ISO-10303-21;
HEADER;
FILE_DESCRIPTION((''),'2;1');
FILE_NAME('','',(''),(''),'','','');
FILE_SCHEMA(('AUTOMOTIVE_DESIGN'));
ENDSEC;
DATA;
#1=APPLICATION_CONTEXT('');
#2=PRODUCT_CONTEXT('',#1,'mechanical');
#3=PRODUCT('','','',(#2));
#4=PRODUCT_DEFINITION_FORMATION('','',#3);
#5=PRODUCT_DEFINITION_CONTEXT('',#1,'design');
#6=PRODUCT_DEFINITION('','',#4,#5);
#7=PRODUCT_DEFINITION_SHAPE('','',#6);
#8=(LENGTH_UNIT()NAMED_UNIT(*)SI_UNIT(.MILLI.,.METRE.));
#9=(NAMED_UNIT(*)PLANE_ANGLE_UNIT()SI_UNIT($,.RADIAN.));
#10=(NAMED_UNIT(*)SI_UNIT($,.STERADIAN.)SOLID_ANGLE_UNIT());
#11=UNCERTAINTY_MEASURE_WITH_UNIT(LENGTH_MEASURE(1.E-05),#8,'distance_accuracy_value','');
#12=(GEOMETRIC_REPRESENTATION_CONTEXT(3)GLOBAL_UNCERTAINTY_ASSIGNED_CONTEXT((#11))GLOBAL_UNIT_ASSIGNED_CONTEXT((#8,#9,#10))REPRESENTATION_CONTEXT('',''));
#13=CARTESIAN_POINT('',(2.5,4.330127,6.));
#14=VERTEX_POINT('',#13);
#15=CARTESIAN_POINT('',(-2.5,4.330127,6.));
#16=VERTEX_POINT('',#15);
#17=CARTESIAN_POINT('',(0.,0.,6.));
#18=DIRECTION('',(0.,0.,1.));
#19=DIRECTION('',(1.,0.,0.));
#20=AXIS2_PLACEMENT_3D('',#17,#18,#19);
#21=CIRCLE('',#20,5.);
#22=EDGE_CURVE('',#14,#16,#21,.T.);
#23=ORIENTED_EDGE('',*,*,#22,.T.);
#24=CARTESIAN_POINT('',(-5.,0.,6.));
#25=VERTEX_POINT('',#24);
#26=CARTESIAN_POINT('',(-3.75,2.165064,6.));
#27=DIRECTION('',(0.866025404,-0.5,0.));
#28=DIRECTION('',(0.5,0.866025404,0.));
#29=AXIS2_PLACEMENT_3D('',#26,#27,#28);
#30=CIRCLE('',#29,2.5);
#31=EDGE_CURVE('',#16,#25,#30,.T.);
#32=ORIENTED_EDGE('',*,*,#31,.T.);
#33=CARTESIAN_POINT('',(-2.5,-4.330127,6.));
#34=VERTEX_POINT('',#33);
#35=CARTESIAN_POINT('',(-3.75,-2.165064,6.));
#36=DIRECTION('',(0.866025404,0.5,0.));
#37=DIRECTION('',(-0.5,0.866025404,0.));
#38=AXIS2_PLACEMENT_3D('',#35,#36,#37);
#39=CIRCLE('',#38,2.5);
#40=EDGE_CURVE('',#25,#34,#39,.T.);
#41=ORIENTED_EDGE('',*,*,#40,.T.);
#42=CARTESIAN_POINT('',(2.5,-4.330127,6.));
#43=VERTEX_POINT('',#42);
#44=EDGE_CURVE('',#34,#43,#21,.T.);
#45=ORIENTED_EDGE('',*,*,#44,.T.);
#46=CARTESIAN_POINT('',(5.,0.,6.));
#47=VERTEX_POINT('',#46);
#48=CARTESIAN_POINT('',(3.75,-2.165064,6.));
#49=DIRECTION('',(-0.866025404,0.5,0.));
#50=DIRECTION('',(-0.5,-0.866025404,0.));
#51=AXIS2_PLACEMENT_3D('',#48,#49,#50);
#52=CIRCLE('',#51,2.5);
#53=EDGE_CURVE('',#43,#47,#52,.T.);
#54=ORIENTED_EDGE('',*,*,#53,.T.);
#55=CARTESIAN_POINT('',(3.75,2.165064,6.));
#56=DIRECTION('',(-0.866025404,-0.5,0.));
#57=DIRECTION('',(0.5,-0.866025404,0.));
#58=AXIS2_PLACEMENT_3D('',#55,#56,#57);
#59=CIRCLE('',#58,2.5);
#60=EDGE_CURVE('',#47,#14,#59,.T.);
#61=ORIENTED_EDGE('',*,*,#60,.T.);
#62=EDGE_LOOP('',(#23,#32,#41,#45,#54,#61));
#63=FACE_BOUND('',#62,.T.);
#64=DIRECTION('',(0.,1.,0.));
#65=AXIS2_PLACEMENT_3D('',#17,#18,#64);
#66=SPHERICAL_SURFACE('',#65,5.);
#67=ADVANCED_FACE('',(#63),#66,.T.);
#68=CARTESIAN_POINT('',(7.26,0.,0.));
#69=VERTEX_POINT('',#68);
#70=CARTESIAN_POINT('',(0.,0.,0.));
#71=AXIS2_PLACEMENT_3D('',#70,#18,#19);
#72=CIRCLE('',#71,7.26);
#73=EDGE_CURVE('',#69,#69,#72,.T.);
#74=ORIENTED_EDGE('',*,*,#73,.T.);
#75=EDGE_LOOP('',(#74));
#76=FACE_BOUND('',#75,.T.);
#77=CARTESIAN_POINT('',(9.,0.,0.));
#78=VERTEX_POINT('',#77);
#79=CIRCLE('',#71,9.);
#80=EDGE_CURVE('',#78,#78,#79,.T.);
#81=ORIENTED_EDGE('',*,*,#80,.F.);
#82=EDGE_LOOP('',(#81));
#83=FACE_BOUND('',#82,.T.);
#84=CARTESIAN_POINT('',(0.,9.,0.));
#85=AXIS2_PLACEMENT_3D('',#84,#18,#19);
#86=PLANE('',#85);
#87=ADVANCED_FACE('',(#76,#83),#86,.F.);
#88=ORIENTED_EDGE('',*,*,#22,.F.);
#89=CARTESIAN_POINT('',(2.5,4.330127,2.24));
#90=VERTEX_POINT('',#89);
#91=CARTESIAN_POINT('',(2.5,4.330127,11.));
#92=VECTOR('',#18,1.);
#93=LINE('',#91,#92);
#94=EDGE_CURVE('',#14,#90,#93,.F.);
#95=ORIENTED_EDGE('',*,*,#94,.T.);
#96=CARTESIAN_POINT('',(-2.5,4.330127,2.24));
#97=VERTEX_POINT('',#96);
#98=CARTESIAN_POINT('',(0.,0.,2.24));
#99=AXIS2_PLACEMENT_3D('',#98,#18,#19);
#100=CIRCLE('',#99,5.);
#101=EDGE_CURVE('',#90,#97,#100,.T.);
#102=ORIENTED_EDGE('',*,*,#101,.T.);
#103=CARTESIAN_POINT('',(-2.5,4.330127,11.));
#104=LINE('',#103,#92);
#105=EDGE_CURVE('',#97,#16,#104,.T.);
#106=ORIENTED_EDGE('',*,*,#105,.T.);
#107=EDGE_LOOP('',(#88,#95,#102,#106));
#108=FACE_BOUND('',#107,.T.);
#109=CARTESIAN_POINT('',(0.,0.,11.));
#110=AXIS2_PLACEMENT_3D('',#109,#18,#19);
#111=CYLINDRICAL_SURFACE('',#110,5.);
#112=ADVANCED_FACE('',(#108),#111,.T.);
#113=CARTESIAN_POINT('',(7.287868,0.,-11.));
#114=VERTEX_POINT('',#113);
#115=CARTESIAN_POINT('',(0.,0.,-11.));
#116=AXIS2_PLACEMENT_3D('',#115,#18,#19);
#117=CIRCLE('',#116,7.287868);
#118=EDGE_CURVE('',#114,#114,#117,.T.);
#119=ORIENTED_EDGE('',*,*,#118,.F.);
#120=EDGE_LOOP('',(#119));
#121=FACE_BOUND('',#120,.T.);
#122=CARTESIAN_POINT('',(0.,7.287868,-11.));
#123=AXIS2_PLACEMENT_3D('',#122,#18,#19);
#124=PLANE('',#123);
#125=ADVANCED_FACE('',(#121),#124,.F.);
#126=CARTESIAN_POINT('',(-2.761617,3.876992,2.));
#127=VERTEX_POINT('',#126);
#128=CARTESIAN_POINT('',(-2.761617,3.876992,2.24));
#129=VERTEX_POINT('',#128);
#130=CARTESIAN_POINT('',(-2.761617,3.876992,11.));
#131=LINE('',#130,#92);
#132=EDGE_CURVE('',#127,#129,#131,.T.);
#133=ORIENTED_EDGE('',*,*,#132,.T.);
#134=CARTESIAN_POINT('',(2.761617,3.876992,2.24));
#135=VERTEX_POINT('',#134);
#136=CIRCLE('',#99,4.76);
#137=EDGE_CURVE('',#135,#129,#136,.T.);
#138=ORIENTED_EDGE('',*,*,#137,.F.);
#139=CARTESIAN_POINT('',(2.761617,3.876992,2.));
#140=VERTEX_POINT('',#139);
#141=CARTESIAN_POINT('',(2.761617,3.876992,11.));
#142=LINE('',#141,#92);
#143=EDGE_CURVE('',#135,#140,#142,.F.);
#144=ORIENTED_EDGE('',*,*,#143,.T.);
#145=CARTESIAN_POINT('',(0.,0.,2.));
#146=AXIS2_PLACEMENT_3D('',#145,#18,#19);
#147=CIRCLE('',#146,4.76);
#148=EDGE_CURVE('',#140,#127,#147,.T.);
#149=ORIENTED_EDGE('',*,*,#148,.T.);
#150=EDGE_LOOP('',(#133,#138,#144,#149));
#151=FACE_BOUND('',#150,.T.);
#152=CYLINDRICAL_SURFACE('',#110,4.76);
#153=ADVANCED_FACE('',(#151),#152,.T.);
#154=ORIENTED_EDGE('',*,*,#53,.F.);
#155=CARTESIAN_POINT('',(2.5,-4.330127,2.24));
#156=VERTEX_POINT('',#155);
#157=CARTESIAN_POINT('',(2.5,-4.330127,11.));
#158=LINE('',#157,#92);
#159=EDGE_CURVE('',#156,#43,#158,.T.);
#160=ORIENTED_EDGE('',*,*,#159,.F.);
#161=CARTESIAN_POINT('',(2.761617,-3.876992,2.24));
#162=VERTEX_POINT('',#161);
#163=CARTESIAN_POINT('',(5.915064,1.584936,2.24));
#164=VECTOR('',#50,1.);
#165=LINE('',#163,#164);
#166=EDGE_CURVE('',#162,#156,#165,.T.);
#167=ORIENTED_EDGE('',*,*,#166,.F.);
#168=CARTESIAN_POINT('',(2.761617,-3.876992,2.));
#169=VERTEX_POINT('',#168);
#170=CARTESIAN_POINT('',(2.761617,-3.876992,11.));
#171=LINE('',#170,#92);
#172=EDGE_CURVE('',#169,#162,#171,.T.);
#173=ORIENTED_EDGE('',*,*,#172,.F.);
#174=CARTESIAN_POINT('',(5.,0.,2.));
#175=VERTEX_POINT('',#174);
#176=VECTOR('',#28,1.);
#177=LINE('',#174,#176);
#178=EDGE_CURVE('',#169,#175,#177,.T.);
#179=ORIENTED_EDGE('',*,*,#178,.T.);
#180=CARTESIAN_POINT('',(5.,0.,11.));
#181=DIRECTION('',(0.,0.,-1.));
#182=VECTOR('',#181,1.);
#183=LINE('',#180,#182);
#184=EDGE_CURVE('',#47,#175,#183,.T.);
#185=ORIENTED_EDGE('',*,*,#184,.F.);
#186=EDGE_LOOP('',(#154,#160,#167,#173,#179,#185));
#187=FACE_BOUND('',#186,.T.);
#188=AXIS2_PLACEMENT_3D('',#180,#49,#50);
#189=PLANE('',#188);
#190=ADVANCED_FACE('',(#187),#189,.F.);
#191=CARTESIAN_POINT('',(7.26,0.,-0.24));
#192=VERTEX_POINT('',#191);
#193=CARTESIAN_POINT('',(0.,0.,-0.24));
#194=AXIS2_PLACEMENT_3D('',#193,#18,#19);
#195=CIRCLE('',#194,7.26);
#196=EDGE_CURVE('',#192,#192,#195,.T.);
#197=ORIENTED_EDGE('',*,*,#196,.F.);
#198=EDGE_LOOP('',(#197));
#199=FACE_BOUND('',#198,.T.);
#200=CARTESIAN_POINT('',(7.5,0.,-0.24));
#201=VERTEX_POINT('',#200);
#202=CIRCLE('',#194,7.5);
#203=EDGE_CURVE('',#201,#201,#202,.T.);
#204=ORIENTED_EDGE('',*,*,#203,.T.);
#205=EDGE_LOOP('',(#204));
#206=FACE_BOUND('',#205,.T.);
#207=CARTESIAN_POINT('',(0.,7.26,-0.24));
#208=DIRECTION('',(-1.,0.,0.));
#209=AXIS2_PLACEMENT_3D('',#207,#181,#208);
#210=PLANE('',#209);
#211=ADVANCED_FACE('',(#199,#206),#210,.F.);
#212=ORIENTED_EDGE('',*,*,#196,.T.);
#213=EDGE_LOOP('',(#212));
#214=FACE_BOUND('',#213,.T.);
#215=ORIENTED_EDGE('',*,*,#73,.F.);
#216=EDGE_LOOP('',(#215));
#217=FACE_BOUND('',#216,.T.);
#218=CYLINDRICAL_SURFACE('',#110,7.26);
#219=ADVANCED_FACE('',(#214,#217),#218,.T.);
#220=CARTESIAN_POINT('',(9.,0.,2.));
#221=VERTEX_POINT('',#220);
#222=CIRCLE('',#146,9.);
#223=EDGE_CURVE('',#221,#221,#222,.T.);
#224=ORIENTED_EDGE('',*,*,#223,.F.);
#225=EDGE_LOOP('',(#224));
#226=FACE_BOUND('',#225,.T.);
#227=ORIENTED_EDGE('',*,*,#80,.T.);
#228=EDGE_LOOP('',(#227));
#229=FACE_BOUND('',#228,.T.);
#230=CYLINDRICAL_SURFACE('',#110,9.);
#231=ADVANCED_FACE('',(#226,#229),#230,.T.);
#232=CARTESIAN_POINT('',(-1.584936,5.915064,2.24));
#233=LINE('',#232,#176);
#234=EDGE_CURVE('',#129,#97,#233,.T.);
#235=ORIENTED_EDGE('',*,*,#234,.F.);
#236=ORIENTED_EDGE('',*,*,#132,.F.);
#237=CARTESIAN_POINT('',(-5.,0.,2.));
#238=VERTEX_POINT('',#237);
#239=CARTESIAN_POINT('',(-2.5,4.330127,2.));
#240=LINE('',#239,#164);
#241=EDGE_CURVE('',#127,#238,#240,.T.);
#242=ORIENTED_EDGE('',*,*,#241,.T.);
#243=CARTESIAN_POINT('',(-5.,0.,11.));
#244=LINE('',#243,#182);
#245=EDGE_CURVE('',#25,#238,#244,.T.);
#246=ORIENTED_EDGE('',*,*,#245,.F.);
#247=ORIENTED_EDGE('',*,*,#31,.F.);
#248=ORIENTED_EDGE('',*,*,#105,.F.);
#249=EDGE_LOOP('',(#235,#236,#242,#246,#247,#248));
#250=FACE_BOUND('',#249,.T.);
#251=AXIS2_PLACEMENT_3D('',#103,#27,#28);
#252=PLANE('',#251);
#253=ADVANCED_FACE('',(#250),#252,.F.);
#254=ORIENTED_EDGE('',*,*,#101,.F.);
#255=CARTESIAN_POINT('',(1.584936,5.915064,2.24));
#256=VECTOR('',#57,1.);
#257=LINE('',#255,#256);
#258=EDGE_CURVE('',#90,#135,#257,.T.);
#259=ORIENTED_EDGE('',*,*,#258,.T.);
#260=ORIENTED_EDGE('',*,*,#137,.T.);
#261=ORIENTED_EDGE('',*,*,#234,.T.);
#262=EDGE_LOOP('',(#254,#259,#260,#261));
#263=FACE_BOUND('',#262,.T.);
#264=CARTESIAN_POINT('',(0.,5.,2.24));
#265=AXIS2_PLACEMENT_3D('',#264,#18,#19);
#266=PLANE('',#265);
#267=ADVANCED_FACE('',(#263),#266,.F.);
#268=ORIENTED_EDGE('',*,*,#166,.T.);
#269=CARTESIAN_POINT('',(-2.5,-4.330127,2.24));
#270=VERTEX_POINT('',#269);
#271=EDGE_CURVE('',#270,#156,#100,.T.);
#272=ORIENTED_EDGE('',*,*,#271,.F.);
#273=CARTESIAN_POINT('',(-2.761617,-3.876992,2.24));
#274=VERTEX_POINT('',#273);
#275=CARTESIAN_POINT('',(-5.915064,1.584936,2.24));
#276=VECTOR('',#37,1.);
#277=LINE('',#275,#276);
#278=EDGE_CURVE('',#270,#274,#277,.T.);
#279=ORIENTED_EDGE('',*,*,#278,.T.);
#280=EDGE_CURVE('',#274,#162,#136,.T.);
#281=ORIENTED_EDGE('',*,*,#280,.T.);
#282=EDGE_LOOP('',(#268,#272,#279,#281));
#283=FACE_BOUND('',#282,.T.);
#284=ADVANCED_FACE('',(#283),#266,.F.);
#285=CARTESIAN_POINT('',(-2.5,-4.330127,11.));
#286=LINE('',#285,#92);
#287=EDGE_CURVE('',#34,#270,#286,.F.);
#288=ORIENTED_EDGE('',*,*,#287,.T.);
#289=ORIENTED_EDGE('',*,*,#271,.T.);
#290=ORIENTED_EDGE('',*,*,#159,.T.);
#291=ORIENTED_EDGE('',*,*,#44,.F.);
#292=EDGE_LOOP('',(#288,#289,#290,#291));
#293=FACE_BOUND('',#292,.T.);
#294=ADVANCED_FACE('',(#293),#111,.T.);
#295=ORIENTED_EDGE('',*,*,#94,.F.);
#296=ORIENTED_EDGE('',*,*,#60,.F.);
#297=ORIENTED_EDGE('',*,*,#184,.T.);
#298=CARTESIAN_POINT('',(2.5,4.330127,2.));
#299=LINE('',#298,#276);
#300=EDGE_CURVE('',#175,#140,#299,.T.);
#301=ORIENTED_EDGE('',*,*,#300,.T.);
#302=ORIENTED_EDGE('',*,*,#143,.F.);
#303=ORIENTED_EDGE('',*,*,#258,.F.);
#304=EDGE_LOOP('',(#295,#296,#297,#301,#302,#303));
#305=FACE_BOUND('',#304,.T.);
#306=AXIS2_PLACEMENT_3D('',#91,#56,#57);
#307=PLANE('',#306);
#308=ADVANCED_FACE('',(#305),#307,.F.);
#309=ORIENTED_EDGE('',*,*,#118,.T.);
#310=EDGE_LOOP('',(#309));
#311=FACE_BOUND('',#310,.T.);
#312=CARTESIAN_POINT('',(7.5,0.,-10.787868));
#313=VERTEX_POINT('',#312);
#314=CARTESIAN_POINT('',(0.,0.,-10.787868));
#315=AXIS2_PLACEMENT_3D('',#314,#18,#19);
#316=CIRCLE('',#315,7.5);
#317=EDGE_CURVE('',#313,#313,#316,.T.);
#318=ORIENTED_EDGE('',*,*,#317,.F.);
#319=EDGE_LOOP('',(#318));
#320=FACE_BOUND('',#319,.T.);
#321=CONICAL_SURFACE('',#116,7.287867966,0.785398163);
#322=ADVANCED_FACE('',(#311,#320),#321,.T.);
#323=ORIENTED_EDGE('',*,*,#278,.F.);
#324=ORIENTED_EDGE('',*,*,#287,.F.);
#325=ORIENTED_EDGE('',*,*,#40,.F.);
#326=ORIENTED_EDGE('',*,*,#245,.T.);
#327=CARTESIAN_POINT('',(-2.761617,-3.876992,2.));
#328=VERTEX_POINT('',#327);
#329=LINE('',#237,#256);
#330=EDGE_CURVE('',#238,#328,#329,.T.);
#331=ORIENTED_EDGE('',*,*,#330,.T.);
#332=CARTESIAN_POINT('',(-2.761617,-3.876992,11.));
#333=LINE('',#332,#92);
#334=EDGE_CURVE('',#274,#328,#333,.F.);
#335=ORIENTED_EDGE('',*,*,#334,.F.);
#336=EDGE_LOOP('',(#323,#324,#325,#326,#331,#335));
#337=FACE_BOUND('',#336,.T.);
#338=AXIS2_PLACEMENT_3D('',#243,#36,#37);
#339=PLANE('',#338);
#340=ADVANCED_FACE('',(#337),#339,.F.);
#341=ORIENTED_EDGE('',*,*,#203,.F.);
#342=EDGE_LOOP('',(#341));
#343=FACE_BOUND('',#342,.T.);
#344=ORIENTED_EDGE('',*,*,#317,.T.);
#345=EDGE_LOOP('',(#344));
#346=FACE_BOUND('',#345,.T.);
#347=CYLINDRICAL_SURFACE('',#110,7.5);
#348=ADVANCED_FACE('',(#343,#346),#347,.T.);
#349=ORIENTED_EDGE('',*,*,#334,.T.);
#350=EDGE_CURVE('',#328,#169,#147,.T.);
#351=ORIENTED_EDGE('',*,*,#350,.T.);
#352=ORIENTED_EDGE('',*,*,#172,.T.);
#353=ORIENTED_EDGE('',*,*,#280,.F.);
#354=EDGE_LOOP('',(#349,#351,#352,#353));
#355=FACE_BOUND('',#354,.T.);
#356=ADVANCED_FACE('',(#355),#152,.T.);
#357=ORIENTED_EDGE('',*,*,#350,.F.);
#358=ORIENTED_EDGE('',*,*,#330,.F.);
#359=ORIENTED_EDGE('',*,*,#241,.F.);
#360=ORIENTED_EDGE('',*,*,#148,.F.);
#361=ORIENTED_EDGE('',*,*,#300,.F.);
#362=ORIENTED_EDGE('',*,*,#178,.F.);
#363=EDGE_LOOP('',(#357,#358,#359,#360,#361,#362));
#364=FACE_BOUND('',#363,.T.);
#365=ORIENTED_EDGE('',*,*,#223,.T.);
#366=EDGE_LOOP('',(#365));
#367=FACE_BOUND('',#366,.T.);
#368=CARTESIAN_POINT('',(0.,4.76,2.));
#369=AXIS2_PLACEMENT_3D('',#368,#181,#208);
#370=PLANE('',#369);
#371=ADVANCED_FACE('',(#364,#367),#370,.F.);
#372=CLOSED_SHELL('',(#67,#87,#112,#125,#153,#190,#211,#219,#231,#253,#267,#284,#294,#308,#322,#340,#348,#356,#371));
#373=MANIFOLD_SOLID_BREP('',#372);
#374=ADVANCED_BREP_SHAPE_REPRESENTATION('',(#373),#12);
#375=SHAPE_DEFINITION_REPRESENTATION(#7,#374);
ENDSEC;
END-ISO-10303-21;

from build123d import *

# Parameters (mm, degrees)
SKETCH5_OUTSIDE_W   = 26.73
SKETCH5_OUTSIDE_H   = 26.73
CUT_EXTRUDE1_DEPTH  = 10
BOSS_EXTRUDE3_DEPTH = 0.24


with BuildPart() as part:
    # Sketch3 → Revolve1 (revolve)
    with BuildSketch(Plane(origin=(0, 0, 0), x_dir=(0, 0, -1), z_dir=(1, 0, 0))):
        with BuildLine():
            Line((-2, 5), (-2, 9))
            Line((-2, 9), (0, 9))
            Line((0, 9), (0, 7.5))
            Line((0, 7.5), (0, 7.26))
            Line((0, 7.26), (0.24, 7.26))
            Line((0.24, 7.26), (0.24, 7.5))
            Line((0.24, 7.5), (10.787867966, 7.5))
            Line((10.787867966, 7.5), (11, 7.287867966))
            Line((11, 7.287867966), (11, 0))
            Line((11, 0), (-11, 0))
            ThreePointArc((-11, 0), (-9.535533906, 3.535533906), (-6, 5))
            Line((-6, 5), (-2.24, 5))
            Line((-2.24, 5), (-2.24, 4.76))
            Line((-2.24, 4.76), (-2, 4.76))
            Line((-2, 4.76), (-2, 5))
        make_face()
    revolve(axis=Axis((0, 0, 11), (0, 0, -1)))

    # Sketch5 outside → Cut-Extrude1 (cut, through all)
    with BuildSketch(Plane.XY.offset(2)):
        Rectangle(SKETCH5_OUTSIDE_W, SKETCH5_OUTSIDE_H)
        with BuildLine():
            Line((-5, 0), (-2.5, -4.330127019))
            ThreePointArc((-2.5, -4.330127019), (0, -5), (2.5, -4.330127019))
            Line((2.5, -4.330127019), (5, 0))
            Line((5, 0), (2.5, 4.330127019))
            ThreePointArc((2.5, 4.330127019), (0, 5), (-2.5, 4.330127019))
            Line((-2.5, 4.330127019), (-5, 0))
        make_face(mode=Mode.SUBTRACT)
    extrude(amount=CUT_EXTRUDE1_DEPTH, mode=Mode.SUBTRACT)

    # Sketch7 → Boss-Extrude3 (add)
    with BuildSketch(Plane.XY.offset(2)):
        with BuildLine():
            Line((-4.738382517, -0.453134773), (-5, 0))
            Line((-5, 0), (-4.738382517, 0.453134773))
            ThreePointArc((-4.738382517, 0.453134773), (-4.76, 0), (-4.738382517, -0.453134773))
        make_face()
        with BuildLine():
            Line((4.738382517, 0.453134773), (5, 0))
            Line((5, 0), (4.738382517, -0.453134773))
            ThreePointArc((4.738382517, -0.453134773), (4.76, 0), (4.738382517, 0.453134773))
        make_face()
    extrude(amount=BOSS_EXTRUDE3_DEPTH)


solid = part.part
